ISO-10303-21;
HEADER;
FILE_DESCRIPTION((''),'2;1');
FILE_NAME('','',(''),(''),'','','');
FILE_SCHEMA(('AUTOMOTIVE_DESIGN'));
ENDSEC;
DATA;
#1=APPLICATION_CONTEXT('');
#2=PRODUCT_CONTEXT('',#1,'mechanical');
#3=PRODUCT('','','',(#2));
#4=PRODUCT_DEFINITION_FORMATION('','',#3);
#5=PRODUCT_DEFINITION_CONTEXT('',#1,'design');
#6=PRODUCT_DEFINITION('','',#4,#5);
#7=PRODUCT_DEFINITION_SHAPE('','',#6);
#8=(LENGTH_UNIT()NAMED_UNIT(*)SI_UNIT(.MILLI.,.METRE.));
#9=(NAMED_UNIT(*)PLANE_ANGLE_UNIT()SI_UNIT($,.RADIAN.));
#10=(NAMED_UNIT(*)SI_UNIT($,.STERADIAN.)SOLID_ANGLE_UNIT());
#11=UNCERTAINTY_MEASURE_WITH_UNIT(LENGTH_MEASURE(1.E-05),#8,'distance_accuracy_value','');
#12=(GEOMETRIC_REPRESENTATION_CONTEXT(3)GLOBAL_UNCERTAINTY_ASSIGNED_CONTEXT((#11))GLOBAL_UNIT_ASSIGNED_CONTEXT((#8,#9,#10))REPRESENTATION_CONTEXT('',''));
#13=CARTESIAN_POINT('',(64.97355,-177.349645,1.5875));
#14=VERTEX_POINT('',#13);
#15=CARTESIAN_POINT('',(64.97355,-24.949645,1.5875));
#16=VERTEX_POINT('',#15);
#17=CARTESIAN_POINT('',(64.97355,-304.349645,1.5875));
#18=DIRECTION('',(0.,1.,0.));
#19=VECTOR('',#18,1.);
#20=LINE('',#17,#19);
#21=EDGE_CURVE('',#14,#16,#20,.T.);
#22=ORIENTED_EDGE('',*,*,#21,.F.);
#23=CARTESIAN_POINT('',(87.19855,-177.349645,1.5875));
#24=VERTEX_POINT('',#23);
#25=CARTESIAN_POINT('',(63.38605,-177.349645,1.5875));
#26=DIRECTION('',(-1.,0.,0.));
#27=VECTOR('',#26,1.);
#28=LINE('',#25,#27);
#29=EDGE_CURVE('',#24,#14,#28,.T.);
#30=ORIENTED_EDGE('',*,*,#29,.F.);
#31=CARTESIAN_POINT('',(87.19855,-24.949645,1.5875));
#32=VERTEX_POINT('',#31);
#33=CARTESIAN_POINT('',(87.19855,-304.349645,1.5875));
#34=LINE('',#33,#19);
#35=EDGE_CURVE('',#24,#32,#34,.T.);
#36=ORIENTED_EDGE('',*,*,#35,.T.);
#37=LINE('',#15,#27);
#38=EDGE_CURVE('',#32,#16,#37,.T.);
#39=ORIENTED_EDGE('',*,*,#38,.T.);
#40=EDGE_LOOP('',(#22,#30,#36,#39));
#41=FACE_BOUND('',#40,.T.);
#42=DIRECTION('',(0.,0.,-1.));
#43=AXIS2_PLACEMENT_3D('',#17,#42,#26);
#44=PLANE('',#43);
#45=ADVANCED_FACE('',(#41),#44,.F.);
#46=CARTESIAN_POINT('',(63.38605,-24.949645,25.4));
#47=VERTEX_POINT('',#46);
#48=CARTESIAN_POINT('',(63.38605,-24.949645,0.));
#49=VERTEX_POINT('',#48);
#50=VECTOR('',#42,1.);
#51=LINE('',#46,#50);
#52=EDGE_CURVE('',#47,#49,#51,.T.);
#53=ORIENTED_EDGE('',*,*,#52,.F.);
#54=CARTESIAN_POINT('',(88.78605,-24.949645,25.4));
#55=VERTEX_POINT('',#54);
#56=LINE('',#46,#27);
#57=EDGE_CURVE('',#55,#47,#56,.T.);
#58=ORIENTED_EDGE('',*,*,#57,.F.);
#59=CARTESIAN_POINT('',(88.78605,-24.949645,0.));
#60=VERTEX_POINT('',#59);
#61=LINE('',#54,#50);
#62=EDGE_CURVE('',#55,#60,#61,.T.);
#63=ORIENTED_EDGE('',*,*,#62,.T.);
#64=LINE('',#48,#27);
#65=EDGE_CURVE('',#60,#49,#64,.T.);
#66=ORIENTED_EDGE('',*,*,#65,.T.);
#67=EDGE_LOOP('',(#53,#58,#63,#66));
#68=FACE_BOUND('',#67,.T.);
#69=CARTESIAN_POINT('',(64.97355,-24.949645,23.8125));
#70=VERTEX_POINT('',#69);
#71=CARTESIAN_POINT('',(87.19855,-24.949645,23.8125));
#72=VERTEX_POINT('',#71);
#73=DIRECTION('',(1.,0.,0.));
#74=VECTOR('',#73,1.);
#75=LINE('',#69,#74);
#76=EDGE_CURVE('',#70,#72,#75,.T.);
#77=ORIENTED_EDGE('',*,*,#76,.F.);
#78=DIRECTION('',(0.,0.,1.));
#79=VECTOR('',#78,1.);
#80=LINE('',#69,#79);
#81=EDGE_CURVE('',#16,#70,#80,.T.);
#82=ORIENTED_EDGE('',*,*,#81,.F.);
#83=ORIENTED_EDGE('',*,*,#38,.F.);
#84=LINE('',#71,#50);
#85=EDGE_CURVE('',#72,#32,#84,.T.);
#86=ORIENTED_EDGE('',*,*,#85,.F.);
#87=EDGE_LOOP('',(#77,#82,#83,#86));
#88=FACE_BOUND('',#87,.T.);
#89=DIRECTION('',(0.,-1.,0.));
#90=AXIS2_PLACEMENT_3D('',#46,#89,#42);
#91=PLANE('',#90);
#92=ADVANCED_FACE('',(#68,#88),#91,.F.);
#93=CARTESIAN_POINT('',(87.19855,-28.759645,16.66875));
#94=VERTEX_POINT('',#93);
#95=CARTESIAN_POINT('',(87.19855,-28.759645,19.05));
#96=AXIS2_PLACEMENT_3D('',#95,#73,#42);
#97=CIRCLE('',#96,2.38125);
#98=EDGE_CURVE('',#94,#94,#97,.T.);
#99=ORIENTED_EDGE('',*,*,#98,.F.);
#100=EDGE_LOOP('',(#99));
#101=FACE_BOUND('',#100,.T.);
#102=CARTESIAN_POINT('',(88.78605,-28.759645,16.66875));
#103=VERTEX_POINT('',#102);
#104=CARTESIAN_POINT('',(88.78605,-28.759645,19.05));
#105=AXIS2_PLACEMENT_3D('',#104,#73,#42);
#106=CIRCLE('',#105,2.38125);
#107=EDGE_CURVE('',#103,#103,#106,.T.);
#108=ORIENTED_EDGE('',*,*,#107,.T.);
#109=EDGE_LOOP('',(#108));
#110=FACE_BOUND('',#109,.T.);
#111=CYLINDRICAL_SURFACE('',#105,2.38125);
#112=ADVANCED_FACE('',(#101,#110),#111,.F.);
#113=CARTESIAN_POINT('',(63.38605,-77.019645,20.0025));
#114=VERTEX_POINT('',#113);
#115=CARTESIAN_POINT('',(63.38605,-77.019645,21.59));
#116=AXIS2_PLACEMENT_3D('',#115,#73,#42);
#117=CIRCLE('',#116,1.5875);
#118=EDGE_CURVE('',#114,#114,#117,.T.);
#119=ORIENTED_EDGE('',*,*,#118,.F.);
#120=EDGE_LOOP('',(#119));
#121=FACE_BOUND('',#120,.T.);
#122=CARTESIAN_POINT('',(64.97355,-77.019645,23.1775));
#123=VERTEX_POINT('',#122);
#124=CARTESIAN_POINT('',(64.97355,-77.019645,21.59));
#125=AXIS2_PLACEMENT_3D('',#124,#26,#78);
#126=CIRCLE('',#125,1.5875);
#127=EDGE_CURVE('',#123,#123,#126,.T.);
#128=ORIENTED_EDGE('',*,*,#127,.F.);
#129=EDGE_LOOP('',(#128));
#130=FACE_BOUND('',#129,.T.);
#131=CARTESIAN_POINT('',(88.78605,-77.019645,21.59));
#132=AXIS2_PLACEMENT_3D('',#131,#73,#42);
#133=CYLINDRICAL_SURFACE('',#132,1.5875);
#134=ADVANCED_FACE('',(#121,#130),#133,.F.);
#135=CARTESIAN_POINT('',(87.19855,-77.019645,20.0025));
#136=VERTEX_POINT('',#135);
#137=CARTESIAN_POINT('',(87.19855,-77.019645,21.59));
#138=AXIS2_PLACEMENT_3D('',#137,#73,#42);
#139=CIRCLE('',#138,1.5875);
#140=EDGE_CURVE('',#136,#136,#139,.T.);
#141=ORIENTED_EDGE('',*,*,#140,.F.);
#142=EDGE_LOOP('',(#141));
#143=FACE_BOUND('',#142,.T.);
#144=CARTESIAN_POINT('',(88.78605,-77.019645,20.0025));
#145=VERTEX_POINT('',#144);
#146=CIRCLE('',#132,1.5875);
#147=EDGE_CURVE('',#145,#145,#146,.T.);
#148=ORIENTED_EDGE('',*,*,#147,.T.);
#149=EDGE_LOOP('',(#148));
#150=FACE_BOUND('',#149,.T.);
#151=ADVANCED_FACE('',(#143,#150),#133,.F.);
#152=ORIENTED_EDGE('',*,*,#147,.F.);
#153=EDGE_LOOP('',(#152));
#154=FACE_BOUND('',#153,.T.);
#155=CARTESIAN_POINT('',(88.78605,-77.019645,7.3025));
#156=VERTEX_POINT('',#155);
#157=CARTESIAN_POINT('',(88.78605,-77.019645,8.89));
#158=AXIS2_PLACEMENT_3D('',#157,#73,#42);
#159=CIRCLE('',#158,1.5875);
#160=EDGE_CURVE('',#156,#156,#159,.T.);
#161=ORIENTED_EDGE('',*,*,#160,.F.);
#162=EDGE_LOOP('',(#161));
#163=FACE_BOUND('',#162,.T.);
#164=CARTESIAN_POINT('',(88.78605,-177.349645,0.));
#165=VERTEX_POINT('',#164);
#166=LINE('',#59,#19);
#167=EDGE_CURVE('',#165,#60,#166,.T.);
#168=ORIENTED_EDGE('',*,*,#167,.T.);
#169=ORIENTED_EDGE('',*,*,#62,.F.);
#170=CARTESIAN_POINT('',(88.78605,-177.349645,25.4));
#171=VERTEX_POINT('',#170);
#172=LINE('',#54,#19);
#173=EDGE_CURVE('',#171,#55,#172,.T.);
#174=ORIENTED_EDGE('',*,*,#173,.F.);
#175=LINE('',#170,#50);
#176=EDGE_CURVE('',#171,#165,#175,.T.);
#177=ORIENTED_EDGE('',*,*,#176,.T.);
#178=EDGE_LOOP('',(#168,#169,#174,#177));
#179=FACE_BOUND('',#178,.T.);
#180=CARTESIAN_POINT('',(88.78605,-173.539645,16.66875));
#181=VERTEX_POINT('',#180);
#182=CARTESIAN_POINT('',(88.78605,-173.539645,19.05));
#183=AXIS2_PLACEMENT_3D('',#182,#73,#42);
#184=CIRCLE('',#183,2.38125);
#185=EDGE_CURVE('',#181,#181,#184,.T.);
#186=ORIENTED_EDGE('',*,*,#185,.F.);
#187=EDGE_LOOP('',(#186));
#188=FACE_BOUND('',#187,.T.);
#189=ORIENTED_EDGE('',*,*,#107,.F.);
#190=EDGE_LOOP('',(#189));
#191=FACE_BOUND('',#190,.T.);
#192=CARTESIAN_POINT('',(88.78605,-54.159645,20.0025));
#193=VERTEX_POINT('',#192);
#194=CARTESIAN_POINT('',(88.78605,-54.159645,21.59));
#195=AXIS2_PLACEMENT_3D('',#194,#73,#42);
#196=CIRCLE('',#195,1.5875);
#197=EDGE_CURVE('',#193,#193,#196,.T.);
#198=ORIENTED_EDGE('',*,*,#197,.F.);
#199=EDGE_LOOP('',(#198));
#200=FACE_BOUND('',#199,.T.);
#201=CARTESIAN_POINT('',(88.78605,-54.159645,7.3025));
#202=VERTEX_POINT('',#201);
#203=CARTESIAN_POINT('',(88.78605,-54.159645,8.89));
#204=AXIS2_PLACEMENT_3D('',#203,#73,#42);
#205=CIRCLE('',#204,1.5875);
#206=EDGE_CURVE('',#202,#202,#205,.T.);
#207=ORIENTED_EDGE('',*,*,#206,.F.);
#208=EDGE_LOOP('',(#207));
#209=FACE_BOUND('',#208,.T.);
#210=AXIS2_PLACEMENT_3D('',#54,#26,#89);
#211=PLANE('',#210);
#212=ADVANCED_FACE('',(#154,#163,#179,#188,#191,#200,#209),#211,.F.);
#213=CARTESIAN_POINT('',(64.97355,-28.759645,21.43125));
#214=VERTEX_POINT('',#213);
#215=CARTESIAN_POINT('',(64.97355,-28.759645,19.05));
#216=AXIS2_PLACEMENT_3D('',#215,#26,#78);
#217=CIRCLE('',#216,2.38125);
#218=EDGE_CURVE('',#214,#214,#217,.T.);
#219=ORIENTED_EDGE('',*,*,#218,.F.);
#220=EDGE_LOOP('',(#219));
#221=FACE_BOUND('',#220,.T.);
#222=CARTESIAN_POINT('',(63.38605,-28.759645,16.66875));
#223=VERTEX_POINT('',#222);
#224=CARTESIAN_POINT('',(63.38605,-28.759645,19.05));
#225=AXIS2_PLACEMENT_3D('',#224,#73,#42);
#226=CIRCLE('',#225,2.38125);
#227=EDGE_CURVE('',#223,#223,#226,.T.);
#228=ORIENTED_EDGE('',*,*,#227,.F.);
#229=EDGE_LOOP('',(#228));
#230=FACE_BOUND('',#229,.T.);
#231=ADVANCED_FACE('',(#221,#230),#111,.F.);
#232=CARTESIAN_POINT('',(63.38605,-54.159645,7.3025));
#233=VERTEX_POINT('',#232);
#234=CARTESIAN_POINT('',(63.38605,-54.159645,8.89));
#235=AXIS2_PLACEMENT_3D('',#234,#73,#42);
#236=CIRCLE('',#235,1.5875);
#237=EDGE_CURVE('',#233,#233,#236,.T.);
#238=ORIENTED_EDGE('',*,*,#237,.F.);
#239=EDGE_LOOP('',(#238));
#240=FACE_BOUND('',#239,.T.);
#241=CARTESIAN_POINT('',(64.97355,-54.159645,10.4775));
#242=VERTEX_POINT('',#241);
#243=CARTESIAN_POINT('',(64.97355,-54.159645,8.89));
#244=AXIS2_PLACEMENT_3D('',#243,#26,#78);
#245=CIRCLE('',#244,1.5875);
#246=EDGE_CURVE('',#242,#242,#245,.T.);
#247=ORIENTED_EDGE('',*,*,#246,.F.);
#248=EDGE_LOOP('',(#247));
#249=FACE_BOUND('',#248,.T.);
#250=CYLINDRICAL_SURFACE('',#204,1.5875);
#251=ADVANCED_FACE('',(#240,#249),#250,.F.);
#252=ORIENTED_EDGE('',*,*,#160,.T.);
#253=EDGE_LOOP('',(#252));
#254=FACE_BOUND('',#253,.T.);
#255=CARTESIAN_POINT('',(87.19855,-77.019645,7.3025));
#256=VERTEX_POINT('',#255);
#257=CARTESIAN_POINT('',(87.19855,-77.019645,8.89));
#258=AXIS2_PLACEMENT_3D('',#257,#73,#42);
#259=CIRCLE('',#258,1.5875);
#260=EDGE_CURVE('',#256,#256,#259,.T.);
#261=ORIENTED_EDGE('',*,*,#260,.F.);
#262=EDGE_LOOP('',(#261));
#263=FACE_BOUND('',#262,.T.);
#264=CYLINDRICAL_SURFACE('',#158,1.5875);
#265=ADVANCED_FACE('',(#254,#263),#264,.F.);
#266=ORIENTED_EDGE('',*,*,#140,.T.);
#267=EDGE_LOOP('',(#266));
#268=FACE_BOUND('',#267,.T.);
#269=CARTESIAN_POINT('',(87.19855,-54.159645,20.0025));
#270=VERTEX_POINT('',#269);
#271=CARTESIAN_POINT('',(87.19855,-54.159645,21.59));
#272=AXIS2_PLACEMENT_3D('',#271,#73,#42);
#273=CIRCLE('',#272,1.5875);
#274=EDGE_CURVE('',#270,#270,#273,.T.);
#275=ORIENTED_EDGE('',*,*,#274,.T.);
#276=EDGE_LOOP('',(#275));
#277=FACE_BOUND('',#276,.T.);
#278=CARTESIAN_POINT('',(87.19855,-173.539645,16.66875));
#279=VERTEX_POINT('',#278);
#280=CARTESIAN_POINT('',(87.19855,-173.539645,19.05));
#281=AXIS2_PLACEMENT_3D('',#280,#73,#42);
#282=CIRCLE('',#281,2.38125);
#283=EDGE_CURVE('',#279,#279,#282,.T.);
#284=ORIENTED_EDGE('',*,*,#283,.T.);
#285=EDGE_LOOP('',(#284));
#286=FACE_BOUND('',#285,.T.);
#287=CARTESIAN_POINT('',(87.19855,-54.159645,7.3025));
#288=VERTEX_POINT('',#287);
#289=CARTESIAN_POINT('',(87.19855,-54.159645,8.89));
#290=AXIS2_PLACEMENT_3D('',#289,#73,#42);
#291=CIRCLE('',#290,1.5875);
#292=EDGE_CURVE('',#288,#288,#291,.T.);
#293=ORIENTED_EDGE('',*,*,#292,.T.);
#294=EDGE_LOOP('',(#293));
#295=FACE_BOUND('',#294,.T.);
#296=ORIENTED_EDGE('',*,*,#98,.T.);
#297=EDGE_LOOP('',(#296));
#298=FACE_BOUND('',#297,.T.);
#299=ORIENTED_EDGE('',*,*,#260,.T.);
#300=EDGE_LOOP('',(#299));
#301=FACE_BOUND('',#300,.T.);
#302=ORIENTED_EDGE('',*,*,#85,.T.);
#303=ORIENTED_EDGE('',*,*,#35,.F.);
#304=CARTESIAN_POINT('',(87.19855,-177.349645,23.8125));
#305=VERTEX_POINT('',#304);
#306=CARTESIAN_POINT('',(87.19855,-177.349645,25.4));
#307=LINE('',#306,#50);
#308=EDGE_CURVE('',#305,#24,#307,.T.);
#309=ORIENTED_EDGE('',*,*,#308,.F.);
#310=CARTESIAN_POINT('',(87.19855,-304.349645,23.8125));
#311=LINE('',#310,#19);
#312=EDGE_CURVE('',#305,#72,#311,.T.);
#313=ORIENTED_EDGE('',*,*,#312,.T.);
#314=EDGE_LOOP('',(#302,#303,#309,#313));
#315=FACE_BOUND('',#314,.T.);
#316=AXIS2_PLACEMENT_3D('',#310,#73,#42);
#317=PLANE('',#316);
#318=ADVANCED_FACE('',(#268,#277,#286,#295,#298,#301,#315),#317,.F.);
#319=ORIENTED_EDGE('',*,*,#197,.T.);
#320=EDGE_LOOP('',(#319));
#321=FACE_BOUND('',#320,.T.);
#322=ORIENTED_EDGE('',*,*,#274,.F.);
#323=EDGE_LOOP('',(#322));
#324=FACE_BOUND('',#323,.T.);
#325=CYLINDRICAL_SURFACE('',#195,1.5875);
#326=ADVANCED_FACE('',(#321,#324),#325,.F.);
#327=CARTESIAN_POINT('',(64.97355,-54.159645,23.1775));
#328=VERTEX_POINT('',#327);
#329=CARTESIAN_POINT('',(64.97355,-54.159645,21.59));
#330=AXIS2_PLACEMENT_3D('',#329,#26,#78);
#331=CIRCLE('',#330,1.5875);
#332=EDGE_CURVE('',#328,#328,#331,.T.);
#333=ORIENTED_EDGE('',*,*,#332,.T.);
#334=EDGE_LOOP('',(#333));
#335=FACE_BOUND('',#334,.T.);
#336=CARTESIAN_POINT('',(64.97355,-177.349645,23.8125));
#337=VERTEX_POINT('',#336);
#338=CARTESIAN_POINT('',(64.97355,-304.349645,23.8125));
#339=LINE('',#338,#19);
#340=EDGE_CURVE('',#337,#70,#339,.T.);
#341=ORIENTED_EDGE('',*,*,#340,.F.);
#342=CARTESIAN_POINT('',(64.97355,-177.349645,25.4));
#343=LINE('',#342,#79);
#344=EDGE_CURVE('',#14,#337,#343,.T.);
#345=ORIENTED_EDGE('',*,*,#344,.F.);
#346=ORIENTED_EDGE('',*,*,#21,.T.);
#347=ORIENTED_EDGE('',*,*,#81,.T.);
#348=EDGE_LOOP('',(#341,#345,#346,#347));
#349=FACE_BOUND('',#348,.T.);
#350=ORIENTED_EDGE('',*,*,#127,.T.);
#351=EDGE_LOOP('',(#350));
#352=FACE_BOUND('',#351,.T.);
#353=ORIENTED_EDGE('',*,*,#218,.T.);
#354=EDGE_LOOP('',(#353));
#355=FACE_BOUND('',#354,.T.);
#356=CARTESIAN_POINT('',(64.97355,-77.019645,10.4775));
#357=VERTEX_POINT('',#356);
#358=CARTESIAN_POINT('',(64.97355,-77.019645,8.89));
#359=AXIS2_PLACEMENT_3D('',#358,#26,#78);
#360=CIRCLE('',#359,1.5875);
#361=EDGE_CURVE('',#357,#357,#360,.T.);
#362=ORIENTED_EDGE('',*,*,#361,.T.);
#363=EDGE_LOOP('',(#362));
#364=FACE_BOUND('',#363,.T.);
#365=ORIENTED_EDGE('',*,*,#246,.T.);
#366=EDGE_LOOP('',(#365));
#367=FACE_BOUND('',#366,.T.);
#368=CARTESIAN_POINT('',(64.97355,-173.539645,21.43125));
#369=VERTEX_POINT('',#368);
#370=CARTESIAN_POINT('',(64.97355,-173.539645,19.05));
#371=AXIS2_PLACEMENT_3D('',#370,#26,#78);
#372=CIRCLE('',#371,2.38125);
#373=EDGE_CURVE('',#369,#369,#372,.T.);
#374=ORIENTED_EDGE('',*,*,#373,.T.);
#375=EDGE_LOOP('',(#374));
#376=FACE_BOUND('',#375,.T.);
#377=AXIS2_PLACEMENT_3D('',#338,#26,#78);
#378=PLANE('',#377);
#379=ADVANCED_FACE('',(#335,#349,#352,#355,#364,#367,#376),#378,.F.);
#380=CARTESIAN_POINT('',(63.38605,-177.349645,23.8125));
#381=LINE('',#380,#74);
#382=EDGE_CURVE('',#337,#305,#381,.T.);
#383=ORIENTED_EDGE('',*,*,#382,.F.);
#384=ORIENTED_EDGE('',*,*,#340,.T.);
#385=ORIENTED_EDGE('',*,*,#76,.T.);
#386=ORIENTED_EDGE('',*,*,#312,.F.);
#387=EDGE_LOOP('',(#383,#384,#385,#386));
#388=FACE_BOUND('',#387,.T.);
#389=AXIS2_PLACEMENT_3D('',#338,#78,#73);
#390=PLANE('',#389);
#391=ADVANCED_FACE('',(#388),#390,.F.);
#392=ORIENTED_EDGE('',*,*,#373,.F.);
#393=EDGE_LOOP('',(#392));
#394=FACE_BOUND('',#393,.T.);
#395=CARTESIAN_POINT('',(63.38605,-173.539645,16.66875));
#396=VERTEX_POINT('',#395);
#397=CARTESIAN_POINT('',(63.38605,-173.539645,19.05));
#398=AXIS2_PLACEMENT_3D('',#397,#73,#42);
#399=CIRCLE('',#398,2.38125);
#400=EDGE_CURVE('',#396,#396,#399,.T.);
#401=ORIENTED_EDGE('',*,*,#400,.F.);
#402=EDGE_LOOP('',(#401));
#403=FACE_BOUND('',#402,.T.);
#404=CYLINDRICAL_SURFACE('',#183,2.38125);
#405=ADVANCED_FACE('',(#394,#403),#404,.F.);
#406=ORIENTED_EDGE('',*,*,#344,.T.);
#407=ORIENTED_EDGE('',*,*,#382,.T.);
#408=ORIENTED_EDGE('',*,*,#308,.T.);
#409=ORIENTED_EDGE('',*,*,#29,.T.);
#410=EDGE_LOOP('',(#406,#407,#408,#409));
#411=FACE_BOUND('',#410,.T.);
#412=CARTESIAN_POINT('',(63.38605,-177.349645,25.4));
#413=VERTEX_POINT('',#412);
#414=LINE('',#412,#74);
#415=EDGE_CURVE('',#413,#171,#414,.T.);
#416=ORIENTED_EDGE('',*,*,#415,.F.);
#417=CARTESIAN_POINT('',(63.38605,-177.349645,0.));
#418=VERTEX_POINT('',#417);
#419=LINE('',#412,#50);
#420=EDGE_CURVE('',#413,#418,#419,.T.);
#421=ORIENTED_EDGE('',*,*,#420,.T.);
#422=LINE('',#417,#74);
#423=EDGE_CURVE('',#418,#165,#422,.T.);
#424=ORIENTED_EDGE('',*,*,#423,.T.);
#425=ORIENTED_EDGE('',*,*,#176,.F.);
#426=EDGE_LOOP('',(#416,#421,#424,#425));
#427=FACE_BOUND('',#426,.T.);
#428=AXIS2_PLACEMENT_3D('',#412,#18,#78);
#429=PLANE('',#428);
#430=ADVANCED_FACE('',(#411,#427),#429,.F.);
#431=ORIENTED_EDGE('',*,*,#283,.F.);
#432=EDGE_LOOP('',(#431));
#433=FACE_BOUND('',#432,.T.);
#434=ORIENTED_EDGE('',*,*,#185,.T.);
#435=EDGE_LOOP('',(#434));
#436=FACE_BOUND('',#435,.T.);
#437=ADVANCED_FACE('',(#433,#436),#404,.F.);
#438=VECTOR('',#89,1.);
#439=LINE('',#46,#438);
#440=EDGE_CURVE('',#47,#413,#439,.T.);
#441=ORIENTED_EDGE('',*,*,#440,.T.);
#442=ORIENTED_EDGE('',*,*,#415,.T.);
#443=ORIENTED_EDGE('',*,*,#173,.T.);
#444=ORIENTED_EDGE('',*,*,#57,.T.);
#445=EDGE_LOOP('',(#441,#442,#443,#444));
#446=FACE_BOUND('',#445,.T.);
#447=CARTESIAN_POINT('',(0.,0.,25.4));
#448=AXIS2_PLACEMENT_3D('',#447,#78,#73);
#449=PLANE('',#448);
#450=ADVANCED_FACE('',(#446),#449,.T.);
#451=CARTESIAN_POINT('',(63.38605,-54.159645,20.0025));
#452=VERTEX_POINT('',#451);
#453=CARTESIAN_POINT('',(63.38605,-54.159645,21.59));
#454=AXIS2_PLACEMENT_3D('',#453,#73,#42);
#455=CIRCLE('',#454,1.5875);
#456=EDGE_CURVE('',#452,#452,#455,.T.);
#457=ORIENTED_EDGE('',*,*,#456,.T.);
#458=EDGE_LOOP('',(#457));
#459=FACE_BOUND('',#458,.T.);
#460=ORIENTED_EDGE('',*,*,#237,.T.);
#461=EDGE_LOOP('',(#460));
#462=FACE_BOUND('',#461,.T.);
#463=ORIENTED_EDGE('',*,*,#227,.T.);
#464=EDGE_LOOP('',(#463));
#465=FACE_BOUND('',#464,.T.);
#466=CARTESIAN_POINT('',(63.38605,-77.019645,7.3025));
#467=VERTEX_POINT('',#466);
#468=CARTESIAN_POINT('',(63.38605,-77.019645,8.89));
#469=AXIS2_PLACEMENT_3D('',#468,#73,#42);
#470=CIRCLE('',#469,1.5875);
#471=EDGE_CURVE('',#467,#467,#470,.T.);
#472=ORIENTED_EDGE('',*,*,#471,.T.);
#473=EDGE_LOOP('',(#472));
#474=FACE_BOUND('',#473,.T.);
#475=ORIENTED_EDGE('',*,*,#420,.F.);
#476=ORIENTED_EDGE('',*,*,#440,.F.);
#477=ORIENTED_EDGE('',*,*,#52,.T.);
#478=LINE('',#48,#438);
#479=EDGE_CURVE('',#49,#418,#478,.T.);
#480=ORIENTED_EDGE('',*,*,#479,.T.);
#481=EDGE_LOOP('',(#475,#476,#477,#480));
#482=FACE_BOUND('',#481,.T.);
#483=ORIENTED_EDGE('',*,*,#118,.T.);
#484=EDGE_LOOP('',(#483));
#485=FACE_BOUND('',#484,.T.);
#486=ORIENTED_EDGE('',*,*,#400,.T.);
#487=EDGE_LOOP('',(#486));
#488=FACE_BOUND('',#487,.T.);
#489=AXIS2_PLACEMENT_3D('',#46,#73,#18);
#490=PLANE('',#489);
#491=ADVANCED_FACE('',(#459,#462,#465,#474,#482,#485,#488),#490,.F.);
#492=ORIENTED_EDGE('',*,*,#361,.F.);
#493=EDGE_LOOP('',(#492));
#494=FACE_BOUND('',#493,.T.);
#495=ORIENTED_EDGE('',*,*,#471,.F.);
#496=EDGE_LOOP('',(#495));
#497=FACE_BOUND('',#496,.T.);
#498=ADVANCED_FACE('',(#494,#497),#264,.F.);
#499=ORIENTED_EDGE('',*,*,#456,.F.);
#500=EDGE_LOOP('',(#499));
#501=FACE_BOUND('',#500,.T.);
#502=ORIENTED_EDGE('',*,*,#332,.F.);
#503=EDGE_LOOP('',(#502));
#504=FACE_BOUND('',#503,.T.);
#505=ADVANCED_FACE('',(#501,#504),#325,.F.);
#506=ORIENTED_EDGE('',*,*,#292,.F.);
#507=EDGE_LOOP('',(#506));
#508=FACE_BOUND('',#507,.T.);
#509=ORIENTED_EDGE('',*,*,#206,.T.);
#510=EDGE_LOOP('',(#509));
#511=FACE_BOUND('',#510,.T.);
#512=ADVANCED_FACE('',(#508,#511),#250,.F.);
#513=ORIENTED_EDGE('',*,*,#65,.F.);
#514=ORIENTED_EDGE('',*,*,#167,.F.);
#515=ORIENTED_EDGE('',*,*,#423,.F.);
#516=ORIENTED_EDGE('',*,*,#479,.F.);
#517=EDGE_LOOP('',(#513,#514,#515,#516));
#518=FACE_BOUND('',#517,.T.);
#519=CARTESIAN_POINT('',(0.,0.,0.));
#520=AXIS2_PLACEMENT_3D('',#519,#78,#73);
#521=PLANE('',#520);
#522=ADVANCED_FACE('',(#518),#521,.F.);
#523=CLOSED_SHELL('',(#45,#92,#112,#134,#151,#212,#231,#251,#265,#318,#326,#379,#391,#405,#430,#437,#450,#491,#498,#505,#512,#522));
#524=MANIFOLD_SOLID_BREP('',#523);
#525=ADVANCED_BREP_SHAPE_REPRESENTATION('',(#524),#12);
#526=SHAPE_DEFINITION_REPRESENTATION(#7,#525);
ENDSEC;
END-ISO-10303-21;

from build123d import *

# Parameters (mm, degrees)
SKETCH1_W                      = 25.4
SKETCH1_H                      = 152.4
BOSS_EXTRUDE1_DEPTH            = 25.4
SKETCH2_W                      = 22.225
SKETCH2_H                      = 22.225
CUT_EXTRUDE1_DEPTH             = 279.4
F_3_16_0_1875_DIAMETER_HOLE2_D = 4.7625
F_1_8_0_125_DIAMETER_HOLE1_D   = 3.175


with BuildPart() as part:
    # Sketch1 → Boss-Extrude1 (new body)
    with BuildSketch(Plane.XY):
        with Locations((76.086049872, -101.14964539)):
            Rectangle(SKETCH1_W, SKETCH1_H)
    extrude(amount=BOSS_EXTRUDE1_DEPTH)

    # Sketch2 → Cut-Extrude1 (cut)
    with BuildSketch(Plane(origin=(0, -24.94964539, 0), x_dir=(1, 0, 0), z_dir=(0, 1, 0))):
        with Locations((76.086049872, -12.7)):
            Rectangle(SKETCH2_W, SKETCH2_H)
    extrude(amount=-CUT_EXTRUDE1_DEPTH, mode=Mode.SUBTRACT)

    # 3/16 (0.1875) Diameter Hole2 (through all)
    with Locations(Plane(origin=(88.786049872, 0, 0), x_dir=(0, 0, -1), z_dir=(1, 0, 0))):
        with Locations((-19.05, -173.53964539), (-19.05, -28.75964539)):
            Hole(F_3_16_0_1875_DIAMETER_HOLE2_D / 2)

    # 1/8 (0.125) Diameter Hole1 (through all)
    with Locations(Plane(origin=(88.786049872, 0, 0), x_dir=(0, 0, -1), z_dir=(1, 0, 0))):
        with Locations((-21.59, -77.01964539), (-8.89, -77.01964539), (-21.59, -54.15964539), (-8.89, -54.15964539)):
            Hole(F_1_8_0_125_DIAMETER_HOLE1_D / 2)


solid = part.part
